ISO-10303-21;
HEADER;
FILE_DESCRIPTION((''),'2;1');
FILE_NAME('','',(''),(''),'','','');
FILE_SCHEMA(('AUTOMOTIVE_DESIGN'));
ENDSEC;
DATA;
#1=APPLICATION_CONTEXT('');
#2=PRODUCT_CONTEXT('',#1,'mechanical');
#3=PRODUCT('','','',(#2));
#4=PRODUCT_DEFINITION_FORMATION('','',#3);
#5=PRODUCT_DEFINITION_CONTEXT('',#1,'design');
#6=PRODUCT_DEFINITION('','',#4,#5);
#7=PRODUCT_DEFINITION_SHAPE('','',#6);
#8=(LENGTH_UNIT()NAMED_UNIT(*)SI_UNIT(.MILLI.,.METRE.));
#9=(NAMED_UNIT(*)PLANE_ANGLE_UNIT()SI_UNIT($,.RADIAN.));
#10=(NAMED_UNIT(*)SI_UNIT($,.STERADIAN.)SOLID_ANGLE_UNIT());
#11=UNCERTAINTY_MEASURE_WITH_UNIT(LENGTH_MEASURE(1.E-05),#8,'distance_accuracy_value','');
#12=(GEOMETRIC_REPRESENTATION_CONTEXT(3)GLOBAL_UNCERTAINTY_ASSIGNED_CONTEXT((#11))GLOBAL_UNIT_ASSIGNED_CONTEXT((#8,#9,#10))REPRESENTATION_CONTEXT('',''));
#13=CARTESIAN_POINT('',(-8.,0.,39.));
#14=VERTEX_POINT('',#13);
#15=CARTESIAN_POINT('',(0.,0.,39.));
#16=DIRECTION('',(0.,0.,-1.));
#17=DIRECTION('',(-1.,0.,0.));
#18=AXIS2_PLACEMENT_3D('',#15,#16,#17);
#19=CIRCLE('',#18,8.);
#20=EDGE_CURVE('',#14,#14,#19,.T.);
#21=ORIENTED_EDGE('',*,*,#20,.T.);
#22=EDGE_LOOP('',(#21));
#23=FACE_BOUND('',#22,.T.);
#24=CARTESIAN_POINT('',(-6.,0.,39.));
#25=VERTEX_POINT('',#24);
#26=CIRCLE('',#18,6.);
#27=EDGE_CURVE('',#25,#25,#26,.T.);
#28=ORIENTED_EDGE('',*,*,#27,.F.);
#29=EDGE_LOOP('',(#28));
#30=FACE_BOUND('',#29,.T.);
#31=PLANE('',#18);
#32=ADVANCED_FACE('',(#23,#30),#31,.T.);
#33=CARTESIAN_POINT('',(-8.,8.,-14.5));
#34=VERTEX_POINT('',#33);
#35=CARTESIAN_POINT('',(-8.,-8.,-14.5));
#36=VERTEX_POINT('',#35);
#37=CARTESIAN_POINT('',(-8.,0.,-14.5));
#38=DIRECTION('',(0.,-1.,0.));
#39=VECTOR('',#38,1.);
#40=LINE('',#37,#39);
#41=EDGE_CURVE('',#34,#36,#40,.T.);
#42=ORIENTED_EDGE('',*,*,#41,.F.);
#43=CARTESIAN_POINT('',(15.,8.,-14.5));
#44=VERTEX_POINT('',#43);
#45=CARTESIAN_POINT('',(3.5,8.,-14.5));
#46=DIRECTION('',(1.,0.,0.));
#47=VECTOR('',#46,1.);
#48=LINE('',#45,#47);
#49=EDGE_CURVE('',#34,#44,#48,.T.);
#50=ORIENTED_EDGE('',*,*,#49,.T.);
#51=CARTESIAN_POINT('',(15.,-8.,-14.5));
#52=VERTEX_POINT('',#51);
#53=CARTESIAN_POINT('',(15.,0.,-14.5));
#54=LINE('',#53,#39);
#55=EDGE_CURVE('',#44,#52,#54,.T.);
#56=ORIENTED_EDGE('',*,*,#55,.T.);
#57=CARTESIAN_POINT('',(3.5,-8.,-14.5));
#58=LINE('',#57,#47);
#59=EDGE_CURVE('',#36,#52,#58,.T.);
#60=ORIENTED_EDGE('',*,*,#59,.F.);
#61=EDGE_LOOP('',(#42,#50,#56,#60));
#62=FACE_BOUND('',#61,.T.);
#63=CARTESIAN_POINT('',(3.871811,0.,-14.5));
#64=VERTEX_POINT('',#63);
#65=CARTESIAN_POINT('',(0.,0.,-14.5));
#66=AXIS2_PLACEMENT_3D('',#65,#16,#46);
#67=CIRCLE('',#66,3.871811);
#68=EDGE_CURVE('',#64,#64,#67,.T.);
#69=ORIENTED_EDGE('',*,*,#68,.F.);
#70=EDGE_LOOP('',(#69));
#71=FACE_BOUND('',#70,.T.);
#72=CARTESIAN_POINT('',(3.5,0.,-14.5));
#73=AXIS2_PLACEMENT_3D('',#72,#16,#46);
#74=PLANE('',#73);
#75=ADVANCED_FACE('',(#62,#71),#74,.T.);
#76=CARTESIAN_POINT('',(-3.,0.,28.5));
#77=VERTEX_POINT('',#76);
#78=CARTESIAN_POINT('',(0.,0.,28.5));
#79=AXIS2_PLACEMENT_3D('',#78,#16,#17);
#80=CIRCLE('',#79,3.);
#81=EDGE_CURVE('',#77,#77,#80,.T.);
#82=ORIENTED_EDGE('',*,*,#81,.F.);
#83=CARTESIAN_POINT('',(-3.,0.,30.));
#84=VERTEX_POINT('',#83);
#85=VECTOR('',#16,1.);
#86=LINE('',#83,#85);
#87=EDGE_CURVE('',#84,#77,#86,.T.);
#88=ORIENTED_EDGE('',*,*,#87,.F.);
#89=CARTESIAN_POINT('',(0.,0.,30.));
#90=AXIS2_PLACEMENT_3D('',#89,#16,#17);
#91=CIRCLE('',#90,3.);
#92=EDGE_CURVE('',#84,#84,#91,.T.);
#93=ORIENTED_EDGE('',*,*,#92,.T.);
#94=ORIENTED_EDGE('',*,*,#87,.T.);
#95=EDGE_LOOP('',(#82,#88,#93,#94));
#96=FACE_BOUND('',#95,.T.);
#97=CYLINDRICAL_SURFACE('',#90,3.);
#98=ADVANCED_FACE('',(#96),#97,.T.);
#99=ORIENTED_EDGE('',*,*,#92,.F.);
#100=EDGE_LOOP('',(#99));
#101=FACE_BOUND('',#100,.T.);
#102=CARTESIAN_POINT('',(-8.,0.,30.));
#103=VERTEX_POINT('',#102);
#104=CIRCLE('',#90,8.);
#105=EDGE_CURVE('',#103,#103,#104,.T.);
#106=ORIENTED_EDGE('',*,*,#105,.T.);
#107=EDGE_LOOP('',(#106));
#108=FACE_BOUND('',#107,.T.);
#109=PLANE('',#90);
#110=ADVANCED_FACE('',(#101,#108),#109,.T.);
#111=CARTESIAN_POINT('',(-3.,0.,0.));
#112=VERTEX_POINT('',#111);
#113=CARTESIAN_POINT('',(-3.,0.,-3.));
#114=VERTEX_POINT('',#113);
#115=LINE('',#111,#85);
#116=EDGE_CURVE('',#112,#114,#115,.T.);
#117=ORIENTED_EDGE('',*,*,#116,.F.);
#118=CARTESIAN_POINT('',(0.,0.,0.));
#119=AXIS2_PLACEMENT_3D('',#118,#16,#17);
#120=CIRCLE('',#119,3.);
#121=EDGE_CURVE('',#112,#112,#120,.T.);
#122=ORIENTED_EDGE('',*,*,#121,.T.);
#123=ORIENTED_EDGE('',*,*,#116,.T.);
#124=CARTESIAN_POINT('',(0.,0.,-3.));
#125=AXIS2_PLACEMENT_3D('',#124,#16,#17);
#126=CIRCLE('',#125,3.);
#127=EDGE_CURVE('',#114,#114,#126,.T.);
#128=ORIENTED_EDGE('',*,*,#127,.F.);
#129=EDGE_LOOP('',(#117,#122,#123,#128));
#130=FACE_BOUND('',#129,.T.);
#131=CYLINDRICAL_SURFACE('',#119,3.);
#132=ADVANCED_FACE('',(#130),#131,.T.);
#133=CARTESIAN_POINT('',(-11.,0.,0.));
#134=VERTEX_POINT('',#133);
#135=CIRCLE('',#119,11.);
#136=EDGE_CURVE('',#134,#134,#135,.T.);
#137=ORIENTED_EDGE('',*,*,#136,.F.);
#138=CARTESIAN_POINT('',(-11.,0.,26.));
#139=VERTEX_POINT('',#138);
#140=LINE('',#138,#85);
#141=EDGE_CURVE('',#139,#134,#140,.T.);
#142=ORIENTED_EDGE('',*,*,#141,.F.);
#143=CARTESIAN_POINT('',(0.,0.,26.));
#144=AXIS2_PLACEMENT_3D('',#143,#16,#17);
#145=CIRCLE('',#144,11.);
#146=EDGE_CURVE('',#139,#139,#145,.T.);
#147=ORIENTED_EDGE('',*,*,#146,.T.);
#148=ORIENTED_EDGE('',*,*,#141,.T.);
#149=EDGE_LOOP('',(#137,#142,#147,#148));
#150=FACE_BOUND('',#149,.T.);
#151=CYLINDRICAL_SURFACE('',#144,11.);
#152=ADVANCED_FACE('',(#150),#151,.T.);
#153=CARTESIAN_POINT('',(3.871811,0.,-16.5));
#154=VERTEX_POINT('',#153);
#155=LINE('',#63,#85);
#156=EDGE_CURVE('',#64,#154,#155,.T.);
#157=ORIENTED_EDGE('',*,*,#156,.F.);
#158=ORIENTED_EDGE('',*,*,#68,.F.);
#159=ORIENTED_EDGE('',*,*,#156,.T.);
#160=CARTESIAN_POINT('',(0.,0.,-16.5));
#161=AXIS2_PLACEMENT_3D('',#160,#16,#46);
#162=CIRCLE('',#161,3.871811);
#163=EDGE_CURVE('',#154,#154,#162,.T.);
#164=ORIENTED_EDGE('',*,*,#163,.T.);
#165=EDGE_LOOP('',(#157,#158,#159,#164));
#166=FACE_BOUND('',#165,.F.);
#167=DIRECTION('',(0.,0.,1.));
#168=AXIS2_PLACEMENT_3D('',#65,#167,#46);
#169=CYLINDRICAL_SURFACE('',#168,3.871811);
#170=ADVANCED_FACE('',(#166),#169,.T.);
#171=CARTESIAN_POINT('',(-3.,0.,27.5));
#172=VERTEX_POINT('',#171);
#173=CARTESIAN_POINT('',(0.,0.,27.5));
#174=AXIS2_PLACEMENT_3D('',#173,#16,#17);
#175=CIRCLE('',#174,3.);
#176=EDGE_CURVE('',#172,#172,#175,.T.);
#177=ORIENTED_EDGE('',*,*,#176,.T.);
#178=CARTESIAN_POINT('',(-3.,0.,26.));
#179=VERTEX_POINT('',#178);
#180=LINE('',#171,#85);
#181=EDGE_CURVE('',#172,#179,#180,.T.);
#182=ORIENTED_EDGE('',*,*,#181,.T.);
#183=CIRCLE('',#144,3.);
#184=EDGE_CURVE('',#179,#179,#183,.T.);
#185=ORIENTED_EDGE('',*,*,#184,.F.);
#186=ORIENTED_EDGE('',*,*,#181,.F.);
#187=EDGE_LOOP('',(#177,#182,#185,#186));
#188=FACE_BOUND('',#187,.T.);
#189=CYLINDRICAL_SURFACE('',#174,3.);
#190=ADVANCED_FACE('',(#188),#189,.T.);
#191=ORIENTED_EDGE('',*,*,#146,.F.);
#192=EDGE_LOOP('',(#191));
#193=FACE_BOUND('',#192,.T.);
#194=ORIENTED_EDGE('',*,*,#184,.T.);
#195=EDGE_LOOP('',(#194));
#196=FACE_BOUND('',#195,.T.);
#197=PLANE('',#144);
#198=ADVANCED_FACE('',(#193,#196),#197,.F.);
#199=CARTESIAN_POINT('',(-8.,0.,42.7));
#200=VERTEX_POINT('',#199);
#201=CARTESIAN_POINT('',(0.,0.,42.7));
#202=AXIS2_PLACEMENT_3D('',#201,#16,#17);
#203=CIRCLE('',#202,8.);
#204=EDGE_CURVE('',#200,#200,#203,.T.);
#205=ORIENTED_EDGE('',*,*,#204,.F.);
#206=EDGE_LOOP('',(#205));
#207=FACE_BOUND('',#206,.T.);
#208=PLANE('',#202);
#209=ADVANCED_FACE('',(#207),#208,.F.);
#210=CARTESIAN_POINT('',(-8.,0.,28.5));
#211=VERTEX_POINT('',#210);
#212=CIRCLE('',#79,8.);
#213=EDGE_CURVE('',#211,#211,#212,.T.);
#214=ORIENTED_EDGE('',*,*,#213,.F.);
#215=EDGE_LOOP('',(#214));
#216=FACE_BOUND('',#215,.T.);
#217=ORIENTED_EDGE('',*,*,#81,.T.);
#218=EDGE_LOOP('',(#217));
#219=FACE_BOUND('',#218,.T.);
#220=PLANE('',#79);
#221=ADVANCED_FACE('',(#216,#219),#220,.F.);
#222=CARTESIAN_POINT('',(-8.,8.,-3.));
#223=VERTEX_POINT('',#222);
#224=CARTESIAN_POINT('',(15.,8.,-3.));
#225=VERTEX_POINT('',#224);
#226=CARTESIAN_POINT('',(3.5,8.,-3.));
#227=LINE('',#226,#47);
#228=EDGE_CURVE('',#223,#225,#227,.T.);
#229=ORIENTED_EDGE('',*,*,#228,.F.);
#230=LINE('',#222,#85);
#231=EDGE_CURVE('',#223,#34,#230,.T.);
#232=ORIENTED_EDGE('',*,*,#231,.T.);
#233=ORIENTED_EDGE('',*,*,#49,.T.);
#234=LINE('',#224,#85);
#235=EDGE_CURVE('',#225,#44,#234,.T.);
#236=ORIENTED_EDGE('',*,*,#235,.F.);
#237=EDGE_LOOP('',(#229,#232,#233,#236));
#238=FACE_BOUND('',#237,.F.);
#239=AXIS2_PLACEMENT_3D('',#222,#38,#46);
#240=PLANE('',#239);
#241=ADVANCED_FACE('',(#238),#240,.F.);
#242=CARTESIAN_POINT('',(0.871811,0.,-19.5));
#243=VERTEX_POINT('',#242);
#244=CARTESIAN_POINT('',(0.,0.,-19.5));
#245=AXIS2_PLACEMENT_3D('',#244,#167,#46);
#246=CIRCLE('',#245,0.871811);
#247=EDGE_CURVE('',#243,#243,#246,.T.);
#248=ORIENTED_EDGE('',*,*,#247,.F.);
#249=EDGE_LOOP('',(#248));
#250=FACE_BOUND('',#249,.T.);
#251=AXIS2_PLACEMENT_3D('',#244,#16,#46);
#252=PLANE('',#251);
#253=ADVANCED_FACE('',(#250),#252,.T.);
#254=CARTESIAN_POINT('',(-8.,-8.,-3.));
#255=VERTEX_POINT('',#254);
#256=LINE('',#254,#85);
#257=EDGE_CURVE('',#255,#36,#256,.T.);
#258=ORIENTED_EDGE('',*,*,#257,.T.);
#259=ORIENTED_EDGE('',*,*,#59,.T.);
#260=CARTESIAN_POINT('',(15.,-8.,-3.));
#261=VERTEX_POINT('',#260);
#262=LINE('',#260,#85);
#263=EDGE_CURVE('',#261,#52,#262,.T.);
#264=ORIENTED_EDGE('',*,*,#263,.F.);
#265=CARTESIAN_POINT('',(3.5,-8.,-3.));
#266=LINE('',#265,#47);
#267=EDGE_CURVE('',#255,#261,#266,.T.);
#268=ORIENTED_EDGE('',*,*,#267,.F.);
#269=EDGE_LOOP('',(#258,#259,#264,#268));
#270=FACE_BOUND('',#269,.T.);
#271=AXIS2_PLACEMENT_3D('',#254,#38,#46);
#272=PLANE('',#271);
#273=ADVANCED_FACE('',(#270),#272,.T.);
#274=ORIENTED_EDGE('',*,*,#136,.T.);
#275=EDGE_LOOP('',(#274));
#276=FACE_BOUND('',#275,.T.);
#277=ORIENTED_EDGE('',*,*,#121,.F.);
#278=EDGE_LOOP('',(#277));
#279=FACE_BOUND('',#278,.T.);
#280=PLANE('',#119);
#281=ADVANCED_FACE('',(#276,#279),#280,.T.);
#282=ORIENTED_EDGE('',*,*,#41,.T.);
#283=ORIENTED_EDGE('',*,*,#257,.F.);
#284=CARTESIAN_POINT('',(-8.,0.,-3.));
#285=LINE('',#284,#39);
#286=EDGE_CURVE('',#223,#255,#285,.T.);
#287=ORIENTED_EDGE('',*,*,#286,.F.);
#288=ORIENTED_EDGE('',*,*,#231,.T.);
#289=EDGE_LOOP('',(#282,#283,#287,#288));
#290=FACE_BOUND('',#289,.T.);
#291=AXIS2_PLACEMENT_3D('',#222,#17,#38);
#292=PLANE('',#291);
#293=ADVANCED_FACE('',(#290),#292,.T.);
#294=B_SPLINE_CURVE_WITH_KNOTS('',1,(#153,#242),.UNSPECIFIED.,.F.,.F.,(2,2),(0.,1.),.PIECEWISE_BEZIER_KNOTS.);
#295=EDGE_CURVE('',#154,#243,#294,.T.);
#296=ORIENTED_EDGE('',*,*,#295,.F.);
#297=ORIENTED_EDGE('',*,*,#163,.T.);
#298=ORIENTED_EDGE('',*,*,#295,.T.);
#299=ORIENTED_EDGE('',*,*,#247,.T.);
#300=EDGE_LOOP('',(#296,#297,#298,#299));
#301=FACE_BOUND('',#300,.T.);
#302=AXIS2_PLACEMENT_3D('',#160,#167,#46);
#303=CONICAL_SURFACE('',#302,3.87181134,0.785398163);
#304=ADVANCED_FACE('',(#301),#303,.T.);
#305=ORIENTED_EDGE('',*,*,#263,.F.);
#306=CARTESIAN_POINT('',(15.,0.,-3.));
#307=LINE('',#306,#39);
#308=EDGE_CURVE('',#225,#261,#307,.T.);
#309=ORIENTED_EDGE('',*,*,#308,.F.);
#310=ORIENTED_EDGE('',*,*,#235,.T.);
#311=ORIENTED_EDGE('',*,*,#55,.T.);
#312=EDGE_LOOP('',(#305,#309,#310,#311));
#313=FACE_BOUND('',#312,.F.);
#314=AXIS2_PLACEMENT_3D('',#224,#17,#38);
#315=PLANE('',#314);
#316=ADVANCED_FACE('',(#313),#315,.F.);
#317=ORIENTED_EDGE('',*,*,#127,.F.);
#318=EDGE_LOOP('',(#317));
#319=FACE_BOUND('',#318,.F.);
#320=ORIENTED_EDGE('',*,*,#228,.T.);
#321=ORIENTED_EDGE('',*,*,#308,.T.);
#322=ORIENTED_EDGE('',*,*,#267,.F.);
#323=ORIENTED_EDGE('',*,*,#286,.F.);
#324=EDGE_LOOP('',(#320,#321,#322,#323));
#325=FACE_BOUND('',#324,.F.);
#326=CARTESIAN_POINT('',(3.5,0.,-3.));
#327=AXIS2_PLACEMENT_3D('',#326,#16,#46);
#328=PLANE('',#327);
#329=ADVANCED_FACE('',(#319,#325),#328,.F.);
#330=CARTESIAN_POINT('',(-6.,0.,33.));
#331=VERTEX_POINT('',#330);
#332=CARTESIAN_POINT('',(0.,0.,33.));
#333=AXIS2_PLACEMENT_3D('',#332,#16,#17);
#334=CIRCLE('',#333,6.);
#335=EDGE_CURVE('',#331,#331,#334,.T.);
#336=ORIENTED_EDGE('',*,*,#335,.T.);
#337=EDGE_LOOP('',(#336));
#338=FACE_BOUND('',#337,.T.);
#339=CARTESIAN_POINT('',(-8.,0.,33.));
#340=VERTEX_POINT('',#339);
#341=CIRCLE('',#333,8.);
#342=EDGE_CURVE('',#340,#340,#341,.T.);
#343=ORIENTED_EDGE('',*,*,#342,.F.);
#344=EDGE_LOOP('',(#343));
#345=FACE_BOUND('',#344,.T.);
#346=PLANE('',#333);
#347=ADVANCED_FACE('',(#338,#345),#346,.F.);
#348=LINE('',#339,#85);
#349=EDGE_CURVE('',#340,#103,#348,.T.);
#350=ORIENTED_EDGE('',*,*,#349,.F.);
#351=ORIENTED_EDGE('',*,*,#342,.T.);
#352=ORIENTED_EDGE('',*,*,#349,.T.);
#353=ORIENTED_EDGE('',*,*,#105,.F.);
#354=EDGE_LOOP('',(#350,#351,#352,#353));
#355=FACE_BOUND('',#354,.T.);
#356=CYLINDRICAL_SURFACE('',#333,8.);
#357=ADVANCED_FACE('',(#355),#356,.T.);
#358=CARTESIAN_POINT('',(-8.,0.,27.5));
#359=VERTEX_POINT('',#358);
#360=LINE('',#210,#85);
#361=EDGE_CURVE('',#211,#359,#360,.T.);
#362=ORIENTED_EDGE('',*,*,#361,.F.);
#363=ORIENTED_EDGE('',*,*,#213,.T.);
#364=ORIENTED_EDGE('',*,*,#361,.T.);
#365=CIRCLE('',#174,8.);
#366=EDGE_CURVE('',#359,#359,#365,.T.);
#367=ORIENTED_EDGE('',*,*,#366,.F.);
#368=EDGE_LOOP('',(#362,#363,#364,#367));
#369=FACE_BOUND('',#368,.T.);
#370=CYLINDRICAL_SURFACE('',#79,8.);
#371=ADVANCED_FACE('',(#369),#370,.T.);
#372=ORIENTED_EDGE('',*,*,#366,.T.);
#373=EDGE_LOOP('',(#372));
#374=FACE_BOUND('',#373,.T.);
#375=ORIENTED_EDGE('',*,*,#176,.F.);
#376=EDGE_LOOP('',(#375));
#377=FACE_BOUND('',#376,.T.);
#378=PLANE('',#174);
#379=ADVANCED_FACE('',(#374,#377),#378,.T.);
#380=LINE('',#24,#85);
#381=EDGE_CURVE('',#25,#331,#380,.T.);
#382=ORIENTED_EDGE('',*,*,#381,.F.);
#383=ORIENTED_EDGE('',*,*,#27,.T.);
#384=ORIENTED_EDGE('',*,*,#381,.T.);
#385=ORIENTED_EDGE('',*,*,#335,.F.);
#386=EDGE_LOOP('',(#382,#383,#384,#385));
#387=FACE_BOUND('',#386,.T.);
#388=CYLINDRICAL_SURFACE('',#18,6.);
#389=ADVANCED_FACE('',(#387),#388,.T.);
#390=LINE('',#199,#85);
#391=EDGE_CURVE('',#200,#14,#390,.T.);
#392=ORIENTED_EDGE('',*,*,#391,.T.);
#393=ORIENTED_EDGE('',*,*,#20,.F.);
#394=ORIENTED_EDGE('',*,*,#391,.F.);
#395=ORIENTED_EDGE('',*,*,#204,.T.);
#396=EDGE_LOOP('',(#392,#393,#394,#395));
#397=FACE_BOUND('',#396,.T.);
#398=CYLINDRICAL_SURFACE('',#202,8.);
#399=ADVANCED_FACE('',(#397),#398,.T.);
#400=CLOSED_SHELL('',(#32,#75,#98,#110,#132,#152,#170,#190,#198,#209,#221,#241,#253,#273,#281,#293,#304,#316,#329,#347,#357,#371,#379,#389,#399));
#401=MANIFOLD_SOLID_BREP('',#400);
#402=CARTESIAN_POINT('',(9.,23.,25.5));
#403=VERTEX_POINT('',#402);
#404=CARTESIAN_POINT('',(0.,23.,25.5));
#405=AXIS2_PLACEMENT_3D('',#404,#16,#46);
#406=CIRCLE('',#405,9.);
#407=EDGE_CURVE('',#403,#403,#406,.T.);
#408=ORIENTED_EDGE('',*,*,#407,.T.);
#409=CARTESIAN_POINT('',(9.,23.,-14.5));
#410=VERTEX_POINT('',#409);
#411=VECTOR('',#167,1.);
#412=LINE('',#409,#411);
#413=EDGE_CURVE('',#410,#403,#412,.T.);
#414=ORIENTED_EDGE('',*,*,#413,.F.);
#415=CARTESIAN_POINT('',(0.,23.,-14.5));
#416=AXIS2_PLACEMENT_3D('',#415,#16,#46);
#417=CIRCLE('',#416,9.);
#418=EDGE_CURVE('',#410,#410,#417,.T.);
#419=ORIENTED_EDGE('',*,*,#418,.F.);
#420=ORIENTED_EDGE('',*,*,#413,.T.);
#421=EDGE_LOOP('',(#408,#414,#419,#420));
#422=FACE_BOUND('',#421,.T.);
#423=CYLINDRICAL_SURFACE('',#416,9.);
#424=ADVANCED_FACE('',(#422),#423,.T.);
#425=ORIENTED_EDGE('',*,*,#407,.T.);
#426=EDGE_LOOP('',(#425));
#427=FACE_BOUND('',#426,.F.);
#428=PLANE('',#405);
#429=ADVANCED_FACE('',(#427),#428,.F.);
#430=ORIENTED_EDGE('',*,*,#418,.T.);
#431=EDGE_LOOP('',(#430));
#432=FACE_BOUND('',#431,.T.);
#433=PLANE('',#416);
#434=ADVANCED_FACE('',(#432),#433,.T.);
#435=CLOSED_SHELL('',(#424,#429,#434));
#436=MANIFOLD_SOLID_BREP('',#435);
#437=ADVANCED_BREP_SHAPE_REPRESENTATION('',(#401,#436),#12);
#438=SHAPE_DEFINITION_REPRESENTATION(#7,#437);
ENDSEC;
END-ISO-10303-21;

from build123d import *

# Parameters (mm, degrees)
F2_W      = 23
F2_H      = 16
F3_DEPTH  = 11.5
F4_R      = 3.8718113402
F5_DEPTH  = 2
F5_FACE_R = 3.8718113402
F6_DEPTH  = 3
F6_TAPER  = 45
F7_R      = 9
F8_DEPTH  = 40


with BuildPart() as f1:
    # F0 (on Front) → F1 (revolve)
    with BuildSketch(Plane.XZ):
        Polygon((0, 0), (0, 42.7), (-8, 42.7), (-8, 39), (-6, 39), (-6, 33), (-8, 33), (-8, 30), (-3, 30), (-3, 28.5), (-8, 28.5), (-8, 27.5), (-3, 27.5), (-3, 26), (-11, 26), (-11, 0), (-3, 0), (-3, -3), (0, -3), align=None)
    revolve(axis=Axis((0, 0, 21.35), (0, 0, -1)))

    # F2 (on face) → F3 (join)
    with BuildSketch(Plane(origin=(0, 0, -3), x_dir=(1, 0, 0), z_dir=(0, 0, -1))):
        with Locations((3.5, 0)):
            Rectangle(F2_W, F2_H)
    extrude(amount=F3_DEPTH)

    # F4 (on face) → F5 (join)
    with BuildSketch(Plane(origin=(0, 0, -14.5), x_dir=(1, 0, 0), z_dir=(0, 0, -1))):
        Circle(F4_R)
    extrude(amount=F5_DEPTH)

    # F5_face (on face) → F6 (join)
    with BuildSketch(Plane(origin=(0, 0, -16.5), x_dir=(1, 0, 0), z_dir=(0, 0, -1))):
        Circle(F5_FACE_R)
    extrude(amount=F6_DEPTH, taper=F6_TAPER)


with BuildPart() as f8:
    # F7 (on face) → F8 (new body)
    with BuildSketch(Plane(origin=(0, 0, -14.5), x_dir=(1, 0, 0), z_dir=(0, 0, -1))):
        with Locations((0, -23)):
            Circle(F7_R)
    extrude(amount=-F8_DEPTH)


solid = Compound([f1.part, f8.part])
